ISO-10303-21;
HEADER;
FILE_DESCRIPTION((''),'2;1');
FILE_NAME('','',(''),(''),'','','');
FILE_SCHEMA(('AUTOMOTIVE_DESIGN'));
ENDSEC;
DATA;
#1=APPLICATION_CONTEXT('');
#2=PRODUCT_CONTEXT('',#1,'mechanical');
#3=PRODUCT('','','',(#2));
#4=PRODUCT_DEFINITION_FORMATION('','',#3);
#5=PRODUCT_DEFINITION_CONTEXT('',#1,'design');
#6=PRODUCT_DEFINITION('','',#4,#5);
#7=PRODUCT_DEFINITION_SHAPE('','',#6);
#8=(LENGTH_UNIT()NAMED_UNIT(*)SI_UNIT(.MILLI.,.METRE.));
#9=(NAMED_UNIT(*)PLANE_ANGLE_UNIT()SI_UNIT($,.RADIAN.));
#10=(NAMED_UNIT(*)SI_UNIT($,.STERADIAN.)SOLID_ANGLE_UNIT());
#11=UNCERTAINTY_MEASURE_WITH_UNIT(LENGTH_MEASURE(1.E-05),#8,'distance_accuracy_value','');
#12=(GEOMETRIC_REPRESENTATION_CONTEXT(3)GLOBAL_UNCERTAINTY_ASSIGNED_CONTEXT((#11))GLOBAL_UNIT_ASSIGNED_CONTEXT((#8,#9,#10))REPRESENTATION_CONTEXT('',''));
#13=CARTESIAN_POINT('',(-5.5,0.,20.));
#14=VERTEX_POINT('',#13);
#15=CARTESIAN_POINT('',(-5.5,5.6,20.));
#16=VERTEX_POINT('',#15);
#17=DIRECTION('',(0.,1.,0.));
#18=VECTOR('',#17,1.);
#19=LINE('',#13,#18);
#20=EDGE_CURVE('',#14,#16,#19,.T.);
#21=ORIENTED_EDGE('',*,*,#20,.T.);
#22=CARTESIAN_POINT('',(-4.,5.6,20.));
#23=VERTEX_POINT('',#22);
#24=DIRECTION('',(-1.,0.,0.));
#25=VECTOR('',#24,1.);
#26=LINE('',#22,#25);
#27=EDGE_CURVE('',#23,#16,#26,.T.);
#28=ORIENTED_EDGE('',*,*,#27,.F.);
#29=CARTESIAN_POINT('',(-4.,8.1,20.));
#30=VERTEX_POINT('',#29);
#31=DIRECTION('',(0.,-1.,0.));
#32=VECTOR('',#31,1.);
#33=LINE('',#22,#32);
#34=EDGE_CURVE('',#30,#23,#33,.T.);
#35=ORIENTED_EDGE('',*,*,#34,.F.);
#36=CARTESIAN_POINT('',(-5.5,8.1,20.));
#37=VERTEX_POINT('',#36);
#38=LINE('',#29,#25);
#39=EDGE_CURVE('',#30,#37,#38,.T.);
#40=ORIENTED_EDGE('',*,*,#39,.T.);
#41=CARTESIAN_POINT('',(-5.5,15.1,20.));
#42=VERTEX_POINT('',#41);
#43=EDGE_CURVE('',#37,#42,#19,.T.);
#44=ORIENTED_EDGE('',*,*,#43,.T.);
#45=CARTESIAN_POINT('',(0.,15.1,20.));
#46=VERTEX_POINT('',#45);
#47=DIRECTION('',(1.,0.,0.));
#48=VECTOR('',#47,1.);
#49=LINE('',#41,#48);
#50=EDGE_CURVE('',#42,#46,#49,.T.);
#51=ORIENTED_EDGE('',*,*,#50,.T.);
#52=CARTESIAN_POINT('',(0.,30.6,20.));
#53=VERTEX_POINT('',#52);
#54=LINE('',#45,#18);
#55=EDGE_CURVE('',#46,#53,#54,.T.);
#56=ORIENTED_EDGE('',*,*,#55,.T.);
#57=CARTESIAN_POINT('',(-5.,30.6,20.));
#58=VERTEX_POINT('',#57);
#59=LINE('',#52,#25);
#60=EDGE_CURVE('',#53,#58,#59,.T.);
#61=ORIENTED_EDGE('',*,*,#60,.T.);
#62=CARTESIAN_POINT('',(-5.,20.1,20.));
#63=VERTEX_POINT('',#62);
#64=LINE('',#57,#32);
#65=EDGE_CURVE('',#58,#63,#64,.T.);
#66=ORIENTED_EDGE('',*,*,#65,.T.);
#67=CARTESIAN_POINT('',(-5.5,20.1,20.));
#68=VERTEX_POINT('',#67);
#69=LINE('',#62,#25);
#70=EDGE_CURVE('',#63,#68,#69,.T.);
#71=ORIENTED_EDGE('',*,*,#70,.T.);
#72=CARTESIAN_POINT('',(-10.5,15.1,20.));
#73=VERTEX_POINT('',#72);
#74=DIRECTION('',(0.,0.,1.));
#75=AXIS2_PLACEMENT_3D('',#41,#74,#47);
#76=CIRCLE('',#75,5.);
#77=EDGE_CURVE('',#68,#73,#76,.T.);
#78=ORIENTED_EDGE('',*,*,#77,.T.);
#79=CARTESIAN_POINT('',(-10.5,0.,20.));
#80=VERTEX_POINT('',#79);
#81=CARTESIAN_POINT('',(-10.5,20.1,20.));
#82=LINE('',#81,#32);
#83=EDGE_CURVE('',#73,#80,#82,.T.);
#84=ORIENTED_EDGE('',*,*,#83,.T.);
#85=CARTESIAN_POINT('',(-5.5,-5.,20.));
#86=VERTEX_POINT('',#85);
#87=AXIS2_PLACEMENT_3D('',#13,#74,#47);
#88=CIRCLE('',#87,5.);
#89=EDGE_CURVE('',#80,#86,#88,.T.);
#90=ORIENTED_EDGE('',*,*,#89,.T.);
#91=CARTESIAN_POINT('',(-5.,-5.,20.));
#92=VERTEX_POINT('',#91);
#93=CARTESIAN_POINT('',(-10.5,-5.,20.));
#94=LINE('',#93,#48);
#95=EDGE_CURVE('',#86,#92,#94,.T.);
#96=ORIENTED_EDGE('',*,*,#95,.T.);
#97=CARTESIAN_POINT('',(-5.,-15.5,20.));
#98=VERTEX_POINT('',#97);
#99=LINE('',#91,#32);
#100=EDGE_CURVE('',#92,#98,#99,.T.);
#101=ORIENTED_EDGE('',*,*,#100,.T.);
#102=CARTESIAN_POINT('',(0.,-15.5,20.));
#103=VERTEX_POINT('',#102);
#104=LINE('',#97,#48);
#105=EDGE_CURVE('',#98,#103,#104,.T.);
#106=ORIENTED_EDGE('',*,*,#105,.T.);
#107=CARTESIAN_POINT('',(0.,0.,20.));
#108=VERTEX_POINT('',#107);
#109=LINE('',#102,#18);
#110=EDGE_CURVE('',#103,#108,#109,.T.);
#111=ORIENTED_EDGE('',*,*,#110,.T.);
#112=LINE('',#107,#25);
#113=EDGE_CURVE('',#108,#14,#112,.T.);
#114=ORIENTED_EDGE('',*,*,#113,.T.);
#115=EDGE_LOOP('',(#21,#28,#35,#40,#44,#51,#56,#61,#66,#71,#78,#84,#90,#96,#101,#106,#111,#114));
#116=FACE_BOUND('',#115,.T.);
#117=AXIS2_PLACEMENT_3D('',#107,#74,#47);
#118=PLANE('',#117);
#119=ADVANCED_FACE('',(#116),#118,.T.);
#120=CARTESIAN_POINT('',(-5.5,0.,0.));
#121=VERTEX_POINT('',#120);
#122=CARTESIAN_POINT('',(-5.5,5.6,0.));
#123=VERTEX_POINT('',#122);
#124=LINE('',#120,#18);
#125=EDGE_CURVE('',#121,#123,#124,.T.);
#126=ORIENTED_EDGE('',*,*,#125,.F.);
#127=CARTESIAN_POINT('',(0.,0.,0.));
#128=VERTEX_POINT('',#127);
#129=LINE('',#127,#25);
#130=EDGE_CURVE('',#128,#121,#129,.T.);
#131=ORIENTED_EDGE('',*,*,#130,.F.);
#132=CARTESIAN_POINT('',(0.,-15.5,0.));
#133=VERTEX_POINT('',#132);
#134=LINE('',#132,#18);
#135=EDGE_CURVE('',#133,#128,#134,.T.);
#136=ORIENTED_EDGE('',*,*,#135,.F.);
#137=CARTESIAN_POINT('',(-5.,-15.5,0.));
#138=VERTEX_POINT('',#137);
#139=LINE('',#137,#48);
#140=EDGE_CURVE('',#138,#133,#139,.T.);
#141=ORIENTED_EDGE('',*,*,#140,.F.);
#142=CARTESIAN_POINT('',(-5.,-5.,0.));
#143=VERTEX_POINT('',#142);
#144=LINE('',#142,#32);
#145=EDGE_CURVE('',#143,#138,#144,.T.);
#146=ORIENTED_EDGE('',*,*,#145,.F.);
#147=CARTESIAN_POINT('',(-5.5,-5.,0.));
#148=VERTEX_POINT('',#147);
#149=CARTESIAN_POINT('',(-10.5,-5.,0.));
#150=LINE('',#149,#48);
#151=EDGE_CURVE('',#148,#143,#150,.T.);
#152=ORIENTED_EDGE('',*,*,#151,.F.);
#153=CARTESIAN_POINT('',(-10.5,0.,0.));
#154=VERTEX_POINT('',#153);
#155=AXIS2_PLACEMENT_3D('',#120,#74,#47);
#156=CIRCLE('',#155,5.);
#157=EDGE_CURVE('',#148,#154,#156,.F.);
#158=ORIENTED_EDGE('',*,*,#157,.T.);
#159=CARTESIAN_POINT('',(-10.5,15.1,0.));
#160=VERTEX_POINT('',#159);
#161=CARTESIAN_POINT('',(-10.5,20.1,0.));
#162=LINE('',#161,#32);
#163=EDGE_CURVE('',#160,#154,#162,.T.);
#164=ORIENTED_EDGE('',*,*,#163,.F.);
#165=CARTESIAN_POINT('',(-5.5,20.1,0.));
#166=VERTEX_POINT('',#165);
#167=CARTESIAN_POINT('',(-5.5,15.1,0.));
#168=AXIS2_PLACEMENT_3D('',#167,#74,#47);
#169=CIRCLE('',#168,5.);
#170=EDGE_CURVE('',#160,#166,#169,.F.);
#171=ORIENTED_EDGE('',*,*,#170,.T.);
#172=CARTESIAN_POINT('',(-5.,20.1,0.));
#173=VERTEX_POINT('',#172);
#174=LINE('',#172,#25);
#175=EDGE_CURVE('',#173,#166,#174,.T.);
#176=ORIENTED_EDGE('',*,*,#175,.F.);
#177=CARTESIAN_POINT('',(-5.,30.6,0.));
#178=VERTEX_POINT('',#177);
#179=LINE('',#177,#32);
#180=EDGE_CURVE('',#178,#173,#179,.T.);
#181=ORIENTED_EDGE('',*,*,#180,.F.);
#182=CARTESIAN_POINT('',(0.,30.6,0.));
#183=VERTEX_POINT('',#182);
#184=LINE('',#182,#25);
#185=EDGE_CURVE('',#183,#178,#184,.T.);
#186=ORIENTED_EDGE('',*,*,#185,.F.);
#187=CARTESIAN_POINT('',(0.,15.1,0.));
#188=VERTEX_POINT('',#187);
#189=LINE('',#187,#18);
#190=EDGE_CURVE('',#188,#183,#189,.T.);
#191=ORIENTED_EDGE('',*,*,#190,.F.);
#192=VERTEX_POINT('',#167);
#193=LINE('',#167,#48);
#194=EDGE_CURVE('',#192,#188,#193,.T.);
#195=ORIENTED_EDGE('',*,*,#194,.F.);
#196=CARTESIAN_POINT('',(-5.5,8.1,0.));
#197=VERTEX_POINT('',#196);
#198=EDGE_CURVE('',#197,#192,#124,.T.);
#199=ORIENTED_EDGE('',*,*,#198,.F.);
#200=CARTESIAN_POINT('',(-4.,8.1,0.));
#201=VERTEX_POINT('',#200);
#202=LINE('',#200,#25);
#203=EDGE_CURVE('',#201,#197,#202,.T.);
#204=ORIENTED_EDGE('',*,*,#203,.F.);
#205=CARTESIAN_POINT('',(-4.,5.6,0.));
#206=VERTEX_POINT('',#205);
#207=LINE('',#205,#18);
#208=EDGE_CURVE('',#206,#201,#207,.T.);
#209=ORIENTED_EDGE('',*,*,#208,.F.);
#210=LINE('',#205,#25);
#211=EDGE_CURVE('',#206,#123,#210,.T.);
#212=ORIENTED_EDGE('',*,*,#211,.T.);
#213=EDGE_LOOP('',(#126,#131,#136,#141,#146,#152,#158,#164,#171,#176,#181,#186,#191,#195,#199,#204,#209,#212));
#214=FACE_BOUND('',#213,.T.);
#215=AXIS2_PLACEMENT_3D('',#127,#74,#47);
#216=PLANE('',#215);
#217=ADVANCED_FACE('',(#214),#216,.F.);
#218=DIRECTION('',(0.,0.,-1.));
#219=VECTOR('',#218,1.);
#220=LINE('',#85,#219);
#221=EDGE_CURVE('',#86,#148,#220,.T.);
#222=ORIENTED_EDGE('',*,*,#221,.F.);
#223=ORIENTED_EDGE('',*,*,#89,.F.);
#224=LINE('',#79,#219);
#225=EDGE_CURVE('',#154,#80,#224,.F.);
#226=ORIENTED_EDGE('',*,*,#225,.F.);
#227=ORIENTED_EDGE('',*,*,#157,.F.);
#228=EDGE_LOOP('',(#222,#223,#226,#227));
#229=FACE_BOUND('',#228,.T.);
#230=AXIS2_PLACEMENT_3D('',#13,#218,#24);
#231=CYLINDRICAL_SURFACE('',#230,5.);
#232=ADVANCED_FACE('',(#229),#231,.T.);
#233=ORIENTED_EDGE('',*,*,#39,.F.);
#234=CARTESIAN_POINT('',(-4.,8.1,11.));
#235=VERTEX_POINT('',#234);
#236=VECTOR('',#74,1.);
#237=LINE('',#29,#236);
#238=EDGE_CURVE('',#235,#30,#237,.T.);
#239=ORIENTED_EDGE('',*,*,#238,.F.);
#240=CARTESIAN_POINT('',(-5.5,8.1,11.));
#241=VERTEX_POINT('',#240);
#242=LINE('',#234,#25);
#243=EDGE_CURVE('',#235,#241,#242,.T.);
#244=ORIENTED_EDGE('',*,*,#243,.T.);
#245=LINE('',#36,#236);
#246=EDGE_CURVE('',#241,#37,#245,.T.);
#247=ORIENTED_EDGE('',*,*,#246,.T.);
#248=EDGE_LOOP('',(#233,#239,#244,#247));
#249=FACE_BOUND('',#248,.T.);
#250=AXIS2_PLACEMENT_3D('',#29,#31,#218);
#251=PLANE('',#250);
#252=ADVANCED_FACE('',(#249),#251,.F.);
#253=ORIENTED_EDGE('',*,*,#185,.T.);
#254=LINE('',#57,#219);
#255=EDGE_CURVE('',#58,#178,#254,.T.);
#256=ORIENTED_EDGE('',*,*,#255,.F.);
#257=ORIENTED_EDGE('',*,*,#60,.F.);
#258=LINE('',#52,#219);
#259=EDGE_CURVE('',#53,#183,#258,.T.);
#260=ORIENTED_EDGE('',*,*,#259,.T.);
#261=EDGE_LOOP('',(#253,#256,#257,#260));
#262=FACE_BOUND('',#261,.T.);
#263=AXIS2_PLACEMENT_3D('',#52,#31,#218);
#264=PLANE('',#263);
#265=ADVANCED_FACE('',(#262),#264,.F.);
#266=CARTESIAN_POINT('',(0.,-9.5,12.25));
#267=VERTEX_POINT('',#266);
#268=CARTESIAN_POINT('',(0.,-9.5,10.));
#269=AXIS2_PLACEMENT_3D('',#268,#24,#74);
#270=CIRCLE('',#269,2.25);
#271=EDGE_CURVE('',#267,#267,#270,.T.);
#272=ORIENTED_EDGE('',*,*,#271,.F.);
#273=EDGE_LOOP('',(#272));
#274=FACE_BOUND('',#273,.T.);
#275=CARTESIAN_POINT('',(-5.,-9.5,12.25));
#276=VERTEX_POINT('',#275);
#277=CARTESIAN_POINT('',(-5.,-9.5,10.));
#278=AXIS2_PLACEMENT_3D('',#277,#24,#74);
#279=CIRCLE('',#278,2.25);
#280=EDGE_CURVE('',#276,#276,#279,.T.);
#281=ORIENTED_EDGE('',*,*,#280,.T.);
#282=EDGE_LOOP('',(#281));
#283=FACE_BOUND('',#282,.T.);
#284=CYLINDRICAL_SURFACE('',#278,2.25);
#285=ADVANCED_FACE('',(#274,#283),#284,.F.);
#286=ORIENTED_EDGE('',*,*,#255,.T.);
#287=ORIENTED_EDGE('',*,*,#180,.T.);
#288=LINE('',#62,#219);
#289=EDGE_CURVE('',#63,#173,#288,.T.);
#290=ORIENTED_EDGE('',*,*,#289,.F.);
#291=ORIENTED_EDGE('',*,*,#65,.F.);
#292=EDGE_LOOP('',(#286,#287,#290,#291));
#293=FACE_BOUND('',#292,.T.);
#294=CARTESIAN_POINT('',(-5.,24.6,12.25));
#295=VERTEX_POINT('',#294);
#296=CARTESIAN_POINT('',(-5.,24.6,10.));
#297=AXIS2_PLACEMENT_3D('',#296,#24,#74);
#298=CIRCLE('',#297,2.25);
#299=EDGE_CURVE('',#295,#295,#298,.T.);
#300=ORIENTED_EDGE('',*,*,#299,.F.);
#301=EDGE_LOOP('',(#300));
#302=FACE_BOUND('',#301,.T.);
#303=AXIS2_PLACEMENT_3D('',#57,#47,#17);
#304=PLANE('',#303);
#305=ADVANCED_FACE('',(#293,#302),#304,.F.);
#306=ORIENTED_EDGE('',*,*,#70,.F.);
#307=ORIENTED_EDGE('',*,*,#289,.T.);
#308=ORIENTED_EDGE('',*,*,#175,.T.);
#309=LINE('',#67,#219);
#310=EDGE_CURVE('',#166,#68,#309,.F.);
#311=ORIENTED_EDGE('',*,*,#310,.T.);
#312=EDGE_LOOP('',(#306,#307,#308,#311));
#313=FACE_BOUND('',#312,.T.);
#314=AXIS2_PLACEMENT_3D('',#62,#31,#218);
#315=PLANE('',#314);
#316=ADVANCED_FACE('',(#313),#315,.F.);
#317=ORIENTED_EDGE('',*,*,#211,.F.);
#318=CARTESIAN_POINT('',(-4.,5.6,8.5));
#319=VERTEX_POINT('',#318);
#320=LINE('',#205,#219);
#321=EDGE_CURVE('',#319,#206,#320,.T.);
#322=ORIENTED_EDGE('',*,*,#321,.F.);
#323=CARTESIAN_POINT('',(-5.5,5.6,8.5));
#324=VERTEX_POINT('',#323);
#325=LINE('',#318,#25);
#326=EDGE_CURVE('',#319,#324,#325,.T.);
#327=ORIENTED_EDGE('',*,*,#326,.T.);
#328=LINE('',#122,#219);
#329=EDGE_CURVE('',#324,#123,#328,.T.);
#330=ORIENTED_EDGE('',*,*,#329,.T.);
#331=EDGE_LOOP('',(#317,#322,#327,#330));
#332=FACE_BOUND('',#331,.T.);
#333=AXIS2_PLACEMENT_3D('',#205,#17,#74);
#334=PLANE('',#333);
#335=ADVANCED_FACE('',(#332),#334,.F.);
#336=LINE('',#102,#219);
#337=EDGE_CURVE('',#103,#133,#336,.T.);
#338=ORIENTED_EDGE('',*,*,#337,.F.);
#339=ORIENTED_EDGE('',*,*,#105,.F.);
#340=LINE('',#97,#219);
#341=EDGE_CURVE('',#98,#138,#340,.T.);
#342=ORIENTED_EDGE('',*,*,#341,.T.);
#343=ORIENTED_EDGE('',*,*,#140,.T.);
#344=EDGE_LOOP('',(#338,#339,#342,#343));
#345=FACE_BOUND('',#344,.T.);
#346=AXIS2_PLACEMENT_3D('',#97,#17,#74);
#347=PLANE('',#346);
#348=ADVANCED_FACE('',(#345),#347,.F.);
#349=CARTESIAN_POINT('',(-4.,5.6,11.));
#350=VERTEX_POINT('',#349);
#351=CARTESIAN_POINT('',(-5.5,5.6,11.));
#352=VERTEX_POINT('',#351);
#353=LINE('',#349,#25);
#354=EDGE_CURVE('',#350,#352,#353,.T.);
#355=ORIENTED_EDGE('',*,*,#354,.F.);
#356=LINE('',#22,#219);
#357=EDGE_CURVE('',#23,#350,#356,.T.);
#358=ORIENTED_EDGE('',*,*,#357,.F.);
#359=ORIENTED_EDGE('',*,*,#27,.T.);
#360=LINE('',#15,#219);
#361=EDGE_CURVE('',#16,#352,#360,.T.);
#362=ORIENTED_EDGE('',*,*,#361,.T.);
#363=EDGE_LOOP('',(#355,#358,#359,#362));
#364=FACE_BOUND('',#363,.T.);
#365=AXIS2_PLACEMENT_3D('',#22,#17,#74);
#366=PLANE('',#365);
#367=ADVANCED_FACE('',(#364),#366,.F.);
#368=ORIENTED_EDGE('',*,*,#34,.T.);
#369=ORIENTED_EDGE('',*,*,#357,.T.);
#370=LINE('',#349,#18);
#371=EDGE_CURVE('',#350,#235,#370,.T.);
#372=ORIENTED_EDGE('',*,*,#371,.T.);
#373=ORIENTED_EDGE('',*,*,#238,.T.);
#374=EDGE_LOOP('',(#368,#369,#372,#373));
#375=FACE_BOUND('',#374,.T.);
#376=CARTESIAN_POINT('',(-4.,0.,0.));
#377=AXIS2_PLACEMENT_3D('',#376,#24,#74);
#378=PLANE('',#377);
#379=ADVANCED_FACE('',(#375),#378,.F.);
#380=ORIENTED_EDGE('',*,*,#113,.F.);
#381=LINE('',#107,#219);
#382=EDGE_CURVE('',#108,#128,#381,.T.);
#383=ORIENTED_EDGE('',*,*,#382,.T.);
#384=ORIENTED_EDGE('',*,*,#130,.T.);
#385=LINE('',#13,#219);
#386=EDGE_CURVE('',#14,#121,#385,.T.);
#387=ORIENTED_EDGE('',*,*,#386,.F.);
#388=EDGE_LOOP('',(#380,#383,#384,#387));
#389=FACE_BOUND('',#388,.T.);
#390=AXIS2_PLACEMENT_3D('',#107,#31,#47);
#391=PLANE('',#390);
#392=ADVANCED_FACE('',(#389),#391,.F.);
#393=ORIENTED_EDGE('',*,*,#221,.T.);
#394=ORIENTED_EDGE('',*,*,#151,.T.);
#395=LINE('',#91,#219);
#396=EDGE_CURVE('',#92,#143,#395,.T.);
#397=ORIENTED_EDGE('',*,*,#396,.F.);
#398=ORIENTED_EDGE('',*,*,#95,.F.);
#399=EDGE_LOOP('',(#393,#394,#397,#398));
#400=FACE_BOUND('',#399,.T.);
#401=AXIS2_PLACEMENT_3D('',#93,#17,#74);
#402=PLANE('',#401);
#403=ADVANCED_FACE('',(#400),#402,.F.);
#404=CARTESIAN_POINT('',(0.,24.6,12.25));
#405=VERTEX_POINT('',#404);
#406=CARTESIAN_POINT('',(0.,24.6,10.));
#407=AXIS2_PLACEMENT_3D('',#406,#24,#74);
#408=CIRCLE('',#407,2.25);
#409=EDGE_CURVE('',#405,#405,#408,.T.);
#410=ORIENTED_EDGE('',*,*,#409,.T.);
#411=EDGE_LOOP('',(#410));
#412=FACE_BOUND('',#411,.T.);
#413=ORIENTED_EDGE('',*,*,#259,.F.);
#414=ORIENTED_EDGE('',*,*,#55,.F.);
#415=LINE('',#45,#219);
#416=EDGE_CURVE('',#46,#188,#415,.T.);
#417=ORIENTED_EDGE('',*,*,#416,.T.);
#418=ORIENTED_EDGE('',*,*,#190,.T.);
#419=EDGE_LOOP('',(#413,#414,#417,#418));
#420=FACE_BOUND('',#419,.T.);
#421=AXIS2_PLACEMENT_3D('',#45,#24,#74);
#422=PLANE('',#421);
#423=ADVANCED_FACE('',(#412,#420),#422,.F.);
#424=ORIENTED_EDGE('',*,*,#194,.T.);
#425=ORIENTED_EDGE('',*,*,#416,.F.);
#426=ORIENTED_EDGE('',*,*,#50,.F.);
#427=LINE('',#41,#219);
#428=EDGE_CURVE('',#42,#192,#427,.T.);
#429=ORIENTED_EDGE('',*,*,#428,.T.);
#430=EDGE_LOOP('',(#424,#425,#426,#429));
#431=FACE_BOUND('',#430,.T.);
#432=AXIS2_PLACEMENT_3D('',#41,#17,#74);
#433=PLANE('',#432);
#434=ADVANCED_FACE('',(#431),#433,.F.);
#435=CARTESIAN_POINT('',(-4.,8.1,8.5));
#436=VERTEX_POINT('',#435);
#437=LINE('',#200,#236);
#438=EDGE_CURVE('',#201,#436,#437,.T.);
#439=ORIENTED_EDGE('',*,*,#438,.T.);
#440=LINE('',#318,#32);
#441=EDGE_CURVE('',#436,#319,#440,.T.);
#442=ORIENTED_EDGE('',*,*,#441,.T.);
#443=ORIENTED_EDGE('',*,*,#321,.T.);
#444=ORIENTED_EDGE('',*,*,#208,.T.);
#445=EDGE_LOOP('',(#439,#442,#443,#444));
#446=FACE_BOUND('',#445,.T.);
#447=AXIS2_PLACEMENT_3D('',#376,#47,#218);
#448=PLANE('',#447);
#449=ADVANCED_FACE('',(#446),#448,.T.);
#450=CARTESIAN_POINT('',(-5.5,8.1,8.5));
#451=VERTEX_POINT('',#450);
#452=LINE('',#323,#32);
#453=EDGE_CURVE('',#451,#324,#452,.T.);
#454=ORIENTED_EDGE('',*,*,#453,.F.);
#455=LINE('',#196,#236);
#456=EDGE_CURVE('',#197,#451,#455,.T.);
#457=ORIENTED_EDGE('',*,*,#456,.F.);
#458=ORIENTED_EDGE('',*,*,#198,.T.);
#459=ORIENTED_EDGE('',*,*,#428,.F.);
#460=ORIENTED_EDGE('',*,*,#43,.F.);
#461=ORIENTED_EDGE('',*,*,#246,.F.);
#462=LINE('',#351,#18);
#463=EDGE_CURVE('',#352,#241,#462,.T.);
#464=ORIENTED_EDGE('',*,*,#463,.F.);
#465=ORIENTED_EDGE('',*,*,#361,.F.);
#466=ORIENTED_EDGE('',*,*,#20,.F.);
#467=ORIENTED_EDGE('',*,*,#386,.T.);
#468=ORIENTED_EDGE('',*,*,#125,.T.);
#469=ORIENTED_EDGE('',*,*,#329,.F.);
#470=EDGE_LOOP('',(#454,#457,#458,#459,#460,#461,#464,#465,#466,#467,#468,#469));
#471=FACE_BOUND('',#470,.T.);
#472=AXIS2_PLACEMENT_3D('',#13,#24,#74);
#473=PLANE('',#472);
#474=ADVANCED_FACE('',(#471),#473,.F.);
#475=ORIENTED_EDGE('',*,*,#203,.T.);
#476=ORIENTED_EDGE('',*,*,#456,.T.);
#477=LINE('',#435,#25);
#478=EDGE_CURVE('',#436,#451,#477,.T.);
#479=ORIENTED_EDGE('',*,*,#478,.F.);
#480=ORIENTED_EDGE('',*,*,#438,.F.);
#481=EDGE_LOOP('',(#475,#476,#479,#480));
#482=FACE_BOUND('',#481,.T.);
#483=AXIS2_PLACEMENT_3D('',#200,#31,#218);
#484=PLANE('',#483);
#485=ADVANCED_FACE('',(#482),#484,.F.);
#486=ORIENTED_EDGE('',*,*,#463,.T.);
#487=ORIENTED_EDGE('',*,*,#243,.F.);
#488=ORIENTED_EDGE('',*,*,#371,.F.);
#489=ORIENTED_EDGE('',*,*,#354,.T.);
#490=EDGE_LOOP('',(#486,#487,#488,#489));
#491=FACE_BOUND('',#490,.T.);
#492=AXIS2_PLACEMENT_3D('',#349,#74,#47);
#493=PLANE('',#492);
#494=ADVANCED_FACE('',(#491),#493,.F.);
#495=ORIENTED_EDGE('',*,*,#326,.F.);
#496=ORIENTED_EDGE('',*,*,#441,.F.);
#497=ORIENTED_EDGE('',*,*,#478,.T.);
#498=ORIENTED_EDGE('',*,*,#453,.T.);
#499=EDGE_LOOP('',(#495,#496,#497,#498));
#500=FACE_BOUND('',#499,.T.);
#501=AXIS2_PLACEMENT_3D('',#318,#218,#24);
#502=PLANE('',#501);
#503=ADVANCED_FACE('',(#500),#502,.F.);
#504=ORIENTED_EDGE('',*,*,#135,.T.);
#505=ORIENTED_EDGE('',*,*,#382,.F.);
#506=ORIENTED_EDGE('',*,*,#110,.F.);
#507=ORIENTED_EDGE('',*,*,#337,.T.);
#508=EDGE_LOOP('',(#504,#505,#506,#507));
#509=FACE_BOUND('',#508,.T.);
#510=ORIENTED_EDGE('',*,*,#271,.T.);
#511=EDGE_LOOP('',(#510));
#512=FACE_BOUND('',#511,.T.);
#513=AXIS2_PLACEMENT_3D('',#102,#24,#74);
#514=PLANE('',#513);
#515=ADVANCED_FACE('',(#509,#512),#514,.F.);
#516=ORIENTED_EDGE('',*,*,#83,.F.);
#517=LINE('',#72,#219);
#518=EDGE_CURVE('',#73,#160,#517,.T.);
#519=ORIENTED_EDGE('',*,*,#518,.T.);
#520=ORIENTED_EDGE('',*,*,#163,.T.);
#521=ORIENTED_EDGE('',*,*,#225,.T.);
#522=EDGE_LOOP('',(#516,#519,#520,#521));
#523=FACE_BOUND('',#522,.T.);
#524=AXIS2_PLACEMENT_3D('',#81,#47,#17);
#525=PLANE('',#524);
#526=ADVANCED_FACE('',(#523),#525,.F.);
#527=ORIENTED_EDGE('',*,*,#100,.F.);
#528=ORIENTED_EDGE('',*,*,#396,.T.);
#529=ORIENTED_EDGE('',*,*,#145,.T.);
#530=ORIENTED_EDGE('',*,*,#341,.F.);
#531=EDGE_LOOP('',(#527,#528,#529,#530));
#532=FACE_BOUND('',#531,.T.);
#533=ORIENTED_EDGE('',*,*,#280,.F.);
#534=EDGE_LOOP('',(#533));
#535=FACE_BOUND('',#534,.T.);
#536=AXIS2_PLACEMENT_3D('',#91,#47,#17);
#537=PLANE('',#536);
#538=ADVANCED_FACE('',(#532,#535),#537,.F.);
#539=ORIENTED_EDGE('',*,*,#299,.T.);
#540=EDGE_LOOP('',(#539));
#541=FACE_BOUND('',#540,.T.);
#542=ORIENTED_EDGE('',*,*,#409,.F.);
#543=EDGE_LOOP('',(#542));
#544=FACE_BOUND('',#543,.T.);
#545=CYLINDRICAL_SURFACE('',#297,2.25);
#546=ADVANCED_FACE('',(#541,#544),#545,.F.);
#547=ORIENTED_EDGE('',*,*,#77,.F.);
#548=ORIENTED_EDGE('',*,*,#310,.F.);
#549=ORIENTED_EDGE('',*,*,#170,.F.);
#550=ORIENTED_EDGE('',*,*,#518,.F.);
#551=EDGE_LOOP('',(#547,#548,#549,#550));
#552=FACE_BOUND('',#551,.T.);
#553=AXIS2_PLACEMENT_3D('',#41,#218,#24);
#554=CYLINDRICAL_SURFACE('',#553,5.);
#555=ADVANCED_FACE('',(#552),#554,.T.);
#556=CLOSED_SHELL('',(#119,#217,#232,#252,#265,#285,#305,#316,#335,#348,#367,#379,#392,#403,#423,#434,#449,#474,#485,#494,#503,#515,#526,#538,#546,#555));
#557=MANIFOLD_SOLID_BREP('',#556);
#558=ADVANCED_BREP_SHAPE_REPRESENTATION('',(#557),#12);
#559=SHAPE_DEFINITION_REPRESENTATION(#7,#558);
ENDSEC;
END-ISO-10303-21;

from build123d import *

# Parameters (mm, degrees)
ESTRUSIONE_ESTRUSIONE1_DEPTH = 20
M4_CLEARANCE_HOLE1_D         = 4.5
RACCORDO1_R                  = 5
SCHIZZO4_W                   = 9
SCHIZZO4_H                   = 2.5
SCHIZZO4_W_2                 = 8.5
ESTRUSIONE_ESTRUSIONE2_DEPTH = 1.5


with BuildPart() as part:
    # Schizzo1 → Estrusione-Estrusione1 (new body)
    with BuildSketch(Plane.XY):
        Polygon((0, 30.6), (-5, 30.6), (-5, 20.1), (-10.5, 20.1), (-10.5, -5), (-5, -5), (-5, -15.5), (0, -15.5), (0, 0), (-5.5, 0), (-5.5, 15.1), (0, 15.1), align=None)
    extrude(amount=ESTRUSIONE_ESTRUSIONE1_DEPTH)

    # M4 Clearance Hole1 (through all)
    with Locations(Plane.ZY.offset(5)):
        with Locations((10, 24.6), (10, -9.5)):
            Hole(M4_CLEARANCE_HOLE1_D / 2)

    # Raccordo1
    raccordo1_edges = [part.edges().sort_by_distance(p)[0] for p in [
        (-10.5, -5, 10),
        (-10.5, 20.1, 10),
    ]]
    fillet(raccordo1_edges, radius=RACCORDO1_R)

    # Schizzo4 → Estrusione-Estrusione2 (add)
    with BuildSketch(Plane(origin=(-5.5, 0, 0), x_dir=(0, 0, -1), z_dir=(1, 0, 0))):
        with Locations((-15.5, 6.85)):
            Rectangle(SCHIZZO4_W, SCHIZZO4_H)
        with Locations((-4.25, 6.85)):
            Rectangle(SCHIZZO4_W_2, SCHIZZO4_H)
    extrude(amount=ESTRUSIONE_ESTRUSIONE2_DEPTH)


solid = part.part
